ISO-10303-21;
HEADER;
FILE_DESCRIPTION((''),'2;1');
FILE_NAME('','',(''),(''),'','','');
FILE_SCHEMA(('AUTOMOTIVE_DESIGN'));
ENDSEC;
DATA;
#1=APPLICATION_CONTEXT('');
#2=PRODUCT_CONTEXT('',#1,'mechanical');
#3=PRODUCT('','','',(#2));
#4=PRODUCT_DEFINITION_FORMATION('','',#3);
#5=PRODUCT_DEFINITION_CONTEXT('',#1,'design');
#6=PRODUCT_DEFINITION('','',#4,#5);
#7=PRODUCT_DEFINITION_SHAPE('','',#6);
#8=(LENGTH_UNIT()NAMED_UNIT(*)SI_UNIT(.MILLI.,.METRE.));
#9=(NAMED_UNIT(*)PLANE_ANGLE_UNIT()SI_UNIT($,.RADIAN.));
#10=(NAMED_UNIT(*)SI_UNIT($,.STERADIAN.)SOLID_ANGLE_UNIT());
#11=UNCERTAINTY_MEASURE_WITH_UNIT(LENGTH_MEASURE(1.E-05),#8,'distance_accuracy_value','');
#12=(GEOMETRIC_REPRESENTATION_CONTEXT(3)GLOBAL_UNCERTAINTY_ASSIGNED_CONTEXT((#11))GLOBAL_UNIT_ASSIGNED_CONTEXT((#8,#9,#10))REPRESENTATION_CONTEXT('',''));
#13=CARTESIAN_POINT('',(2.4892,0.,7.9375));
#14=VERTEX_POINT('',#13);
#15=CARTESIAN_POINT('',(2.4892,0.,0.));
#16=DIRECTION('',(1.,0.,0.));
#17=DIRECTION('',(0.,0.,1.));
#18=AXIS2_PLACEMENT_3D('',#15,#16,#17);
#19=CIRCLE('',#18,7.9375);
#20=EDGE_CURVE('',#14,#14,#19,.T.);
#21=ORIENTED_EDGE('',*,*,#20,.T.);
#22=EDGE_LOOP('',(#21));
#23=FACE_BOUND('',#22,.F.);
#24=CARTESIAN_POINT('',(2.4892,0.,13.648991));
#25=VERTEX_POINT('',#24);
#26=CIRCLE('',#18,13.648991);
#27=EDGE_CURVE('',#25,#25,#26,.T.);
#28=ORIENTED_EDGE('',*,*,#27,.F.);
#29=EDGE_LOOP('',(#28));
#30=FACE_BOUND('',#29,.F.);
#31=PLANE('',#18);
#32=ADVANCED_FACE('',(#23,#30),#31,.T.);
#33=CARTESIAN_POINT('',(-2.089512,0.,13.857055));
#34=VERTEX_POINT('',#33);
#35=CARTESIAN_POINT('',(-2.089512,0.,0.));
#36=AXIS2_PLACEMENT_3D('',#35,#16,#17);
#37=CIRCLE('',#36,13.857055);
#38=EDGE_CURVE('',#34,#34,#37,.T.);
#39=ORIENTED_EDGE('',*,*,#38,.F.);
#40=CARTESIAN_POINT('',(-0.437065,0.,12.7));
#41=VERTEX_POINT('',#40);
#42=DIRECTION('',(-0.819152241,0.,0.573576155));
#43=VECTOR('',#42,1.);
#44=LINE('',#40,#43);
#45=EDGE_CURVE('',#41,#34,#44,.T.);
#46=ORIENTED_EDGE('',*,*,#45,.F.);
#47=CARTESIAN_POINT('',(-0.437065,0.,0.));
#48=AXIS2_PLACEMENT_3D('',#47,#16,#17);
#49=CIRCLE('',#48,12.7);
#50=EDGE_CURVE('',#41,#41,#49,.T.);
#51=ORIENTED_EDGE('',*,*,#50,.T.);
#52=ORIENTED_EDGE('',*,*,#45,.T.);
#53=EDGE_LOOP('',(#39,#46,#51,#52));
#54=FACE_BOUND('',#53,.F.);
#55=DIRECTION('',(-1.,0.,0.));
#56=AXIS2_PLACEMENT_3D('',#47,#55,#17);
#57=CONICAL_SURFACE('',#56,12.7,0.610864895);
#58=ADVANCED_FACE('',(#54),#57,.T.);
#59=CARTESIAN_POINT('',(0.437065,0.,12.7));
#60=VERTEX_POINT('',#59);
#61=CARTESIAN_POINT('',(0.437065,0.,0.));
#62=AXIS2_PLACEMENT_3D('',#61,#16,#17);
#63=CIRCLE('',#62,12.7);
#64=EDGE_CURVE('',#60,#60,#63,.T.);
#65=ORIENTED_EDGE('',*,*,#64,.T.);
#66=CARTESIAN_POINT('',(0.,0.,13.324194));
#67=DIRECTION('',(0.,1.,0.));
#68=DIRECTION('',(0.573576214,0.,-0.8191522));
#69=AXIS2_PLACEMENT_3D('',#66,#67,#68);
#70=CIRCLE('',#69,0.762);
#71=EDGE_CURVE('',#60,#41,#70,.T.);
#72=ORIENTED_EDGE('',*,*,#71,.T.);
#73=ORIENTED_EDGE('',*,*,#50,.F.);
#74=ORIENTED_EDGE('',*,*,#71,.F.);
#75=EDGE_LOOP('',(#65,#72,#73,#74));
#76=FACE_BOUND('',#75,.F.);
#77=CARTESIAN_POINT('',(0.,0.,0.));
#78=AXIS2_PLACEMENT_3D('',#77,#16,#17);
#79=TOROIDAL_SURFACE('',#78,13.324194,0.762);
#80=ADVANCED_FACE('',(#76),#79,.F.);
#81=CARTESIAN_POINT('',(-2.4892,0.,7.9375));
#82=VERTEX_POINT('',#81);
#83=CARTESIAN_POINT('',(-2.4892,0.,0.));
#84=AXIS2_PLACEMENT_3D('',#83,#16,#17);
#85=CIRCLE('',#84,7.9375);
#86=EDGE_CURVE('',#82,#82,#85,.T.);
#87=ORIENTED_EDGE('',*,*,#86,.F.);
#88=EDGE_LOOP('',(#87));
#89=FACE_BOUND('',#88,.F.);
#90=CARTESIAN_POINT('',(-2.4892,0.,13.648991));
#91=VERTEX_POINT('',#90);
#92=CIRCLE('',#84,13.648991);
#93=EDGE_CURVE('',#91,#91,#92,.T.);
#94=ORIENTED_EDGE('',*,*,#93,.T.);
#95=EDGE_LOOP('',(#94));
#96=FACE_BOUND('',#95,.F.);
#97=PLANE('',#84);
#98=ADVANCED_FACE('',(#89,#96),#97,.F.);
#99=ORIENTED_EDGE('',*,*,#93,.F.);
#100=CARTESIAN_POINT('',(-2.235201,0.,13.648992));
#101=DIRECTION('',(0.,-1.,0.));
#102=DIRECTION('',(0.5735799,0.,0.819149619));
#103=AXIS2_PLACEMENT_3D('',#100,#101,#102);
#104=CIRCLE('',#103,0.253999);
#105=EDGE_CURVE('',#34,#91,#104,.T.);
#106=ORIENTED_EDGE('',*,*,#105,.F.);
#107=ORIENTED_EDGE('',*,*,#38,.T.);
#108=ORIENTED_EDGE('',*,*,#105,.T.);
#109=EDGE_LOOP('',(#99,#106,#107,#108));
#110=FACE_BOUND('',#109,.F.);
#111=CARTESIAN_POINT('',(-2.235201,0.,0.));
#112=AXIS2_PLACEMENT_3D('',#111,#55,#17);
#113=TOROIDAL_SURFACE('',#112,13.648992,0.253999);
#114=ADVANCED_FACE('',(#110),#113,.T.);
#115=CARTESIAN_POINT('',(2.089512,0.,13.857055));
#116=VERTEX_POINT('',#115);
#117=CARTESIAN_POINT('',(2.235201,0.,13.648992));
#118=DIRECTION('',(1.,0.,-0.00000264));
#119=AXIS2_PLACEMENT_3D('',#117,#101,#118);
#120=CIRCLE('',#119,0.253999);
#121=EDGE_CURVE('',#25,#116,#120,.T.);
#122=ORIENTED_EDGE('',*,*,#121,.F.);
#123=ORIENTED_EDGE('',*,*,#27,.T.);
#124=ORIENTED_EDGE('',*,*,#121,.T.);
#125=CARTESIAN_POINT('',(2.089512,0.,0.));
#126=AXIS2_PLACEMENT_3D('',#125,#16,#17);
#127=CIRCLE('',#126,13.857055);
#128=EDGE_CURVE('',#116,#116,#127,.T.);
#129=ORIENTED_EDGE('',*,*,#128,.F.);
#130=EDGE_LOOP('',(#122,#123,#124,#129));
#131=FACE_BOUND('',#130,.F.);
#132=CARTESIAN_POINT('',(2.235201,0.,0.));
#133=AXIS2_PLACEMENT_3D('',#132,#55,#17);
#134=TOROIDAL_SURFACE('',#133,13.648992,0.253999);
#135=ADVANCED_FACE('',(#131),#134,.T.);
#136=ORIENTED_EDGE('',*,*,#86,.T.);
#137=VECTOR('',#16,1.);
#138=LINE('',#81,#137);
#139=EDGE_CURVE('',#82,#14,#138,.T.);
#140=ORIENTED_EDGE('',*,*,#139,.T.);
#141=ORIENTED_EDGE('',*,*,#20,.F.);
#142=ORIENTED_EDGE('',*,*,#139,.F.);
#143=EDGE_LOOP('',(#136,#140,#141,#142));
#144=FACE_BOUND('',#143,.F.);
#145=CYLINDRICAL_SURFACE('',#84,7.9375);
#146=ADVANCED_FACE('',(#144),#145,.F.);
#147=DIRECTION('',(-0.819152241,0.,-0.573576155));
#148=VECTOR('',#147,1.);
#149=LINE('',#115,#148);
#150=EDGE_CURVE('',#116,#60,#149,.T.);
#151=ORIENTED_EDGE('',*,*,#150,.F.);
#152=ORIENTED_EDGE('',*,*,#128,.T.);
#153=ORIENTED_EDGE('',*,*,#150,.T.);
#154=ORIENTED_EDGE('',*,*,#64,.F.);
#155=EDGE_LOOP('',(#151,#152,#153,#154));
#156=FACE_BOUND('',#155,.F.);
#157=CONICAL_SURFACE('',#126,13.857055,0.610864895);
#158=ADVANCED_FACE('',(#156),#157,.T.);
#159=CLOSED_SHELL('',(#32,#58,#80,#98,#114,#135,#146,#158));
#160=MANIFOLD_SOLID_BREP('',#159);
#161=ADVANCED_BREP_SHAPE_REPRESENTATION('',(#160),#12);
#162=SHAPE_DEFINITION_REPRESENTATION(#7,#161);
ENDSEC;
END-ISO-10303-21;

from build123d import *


with BuildPart() as f1:
    # F0 (on Front) → F1 (revolve)
    with BuildSketch(Plane.XZ):
        with BuildLine():
            Line((2.089512, 13.857055), (0.437065, 12.7))
            ThreePointArc((0.437065, 12.7), (0, 12.562194), (-0.437065, 12.7))
            Line((-0.437065, 12.7), (-2.089512, 13.857055))
            ThreePointArc((-2.089512, 13.857055), (-2.352484, 13.874292), (-2.4892, 13.648991))
            Line((-2.4892, 13.648991), (-2.4892, 7.9375))
            Line((-2.4892, 7.9375), (0, 7.9375))
            Line((0, 7.9375), (2.4892, 7.9375))
            Line((2.4892, 7.9375), (2.4892, 13.648991))
            ThreePointArc((2.4892, 13.648991), (2.352484, 13.874292), (2.089512, 13.857055))
        make_face()
    revolve(axis=Axis((2.944905, 0, 0), (1, 0, 0)))


solid = f1.part
